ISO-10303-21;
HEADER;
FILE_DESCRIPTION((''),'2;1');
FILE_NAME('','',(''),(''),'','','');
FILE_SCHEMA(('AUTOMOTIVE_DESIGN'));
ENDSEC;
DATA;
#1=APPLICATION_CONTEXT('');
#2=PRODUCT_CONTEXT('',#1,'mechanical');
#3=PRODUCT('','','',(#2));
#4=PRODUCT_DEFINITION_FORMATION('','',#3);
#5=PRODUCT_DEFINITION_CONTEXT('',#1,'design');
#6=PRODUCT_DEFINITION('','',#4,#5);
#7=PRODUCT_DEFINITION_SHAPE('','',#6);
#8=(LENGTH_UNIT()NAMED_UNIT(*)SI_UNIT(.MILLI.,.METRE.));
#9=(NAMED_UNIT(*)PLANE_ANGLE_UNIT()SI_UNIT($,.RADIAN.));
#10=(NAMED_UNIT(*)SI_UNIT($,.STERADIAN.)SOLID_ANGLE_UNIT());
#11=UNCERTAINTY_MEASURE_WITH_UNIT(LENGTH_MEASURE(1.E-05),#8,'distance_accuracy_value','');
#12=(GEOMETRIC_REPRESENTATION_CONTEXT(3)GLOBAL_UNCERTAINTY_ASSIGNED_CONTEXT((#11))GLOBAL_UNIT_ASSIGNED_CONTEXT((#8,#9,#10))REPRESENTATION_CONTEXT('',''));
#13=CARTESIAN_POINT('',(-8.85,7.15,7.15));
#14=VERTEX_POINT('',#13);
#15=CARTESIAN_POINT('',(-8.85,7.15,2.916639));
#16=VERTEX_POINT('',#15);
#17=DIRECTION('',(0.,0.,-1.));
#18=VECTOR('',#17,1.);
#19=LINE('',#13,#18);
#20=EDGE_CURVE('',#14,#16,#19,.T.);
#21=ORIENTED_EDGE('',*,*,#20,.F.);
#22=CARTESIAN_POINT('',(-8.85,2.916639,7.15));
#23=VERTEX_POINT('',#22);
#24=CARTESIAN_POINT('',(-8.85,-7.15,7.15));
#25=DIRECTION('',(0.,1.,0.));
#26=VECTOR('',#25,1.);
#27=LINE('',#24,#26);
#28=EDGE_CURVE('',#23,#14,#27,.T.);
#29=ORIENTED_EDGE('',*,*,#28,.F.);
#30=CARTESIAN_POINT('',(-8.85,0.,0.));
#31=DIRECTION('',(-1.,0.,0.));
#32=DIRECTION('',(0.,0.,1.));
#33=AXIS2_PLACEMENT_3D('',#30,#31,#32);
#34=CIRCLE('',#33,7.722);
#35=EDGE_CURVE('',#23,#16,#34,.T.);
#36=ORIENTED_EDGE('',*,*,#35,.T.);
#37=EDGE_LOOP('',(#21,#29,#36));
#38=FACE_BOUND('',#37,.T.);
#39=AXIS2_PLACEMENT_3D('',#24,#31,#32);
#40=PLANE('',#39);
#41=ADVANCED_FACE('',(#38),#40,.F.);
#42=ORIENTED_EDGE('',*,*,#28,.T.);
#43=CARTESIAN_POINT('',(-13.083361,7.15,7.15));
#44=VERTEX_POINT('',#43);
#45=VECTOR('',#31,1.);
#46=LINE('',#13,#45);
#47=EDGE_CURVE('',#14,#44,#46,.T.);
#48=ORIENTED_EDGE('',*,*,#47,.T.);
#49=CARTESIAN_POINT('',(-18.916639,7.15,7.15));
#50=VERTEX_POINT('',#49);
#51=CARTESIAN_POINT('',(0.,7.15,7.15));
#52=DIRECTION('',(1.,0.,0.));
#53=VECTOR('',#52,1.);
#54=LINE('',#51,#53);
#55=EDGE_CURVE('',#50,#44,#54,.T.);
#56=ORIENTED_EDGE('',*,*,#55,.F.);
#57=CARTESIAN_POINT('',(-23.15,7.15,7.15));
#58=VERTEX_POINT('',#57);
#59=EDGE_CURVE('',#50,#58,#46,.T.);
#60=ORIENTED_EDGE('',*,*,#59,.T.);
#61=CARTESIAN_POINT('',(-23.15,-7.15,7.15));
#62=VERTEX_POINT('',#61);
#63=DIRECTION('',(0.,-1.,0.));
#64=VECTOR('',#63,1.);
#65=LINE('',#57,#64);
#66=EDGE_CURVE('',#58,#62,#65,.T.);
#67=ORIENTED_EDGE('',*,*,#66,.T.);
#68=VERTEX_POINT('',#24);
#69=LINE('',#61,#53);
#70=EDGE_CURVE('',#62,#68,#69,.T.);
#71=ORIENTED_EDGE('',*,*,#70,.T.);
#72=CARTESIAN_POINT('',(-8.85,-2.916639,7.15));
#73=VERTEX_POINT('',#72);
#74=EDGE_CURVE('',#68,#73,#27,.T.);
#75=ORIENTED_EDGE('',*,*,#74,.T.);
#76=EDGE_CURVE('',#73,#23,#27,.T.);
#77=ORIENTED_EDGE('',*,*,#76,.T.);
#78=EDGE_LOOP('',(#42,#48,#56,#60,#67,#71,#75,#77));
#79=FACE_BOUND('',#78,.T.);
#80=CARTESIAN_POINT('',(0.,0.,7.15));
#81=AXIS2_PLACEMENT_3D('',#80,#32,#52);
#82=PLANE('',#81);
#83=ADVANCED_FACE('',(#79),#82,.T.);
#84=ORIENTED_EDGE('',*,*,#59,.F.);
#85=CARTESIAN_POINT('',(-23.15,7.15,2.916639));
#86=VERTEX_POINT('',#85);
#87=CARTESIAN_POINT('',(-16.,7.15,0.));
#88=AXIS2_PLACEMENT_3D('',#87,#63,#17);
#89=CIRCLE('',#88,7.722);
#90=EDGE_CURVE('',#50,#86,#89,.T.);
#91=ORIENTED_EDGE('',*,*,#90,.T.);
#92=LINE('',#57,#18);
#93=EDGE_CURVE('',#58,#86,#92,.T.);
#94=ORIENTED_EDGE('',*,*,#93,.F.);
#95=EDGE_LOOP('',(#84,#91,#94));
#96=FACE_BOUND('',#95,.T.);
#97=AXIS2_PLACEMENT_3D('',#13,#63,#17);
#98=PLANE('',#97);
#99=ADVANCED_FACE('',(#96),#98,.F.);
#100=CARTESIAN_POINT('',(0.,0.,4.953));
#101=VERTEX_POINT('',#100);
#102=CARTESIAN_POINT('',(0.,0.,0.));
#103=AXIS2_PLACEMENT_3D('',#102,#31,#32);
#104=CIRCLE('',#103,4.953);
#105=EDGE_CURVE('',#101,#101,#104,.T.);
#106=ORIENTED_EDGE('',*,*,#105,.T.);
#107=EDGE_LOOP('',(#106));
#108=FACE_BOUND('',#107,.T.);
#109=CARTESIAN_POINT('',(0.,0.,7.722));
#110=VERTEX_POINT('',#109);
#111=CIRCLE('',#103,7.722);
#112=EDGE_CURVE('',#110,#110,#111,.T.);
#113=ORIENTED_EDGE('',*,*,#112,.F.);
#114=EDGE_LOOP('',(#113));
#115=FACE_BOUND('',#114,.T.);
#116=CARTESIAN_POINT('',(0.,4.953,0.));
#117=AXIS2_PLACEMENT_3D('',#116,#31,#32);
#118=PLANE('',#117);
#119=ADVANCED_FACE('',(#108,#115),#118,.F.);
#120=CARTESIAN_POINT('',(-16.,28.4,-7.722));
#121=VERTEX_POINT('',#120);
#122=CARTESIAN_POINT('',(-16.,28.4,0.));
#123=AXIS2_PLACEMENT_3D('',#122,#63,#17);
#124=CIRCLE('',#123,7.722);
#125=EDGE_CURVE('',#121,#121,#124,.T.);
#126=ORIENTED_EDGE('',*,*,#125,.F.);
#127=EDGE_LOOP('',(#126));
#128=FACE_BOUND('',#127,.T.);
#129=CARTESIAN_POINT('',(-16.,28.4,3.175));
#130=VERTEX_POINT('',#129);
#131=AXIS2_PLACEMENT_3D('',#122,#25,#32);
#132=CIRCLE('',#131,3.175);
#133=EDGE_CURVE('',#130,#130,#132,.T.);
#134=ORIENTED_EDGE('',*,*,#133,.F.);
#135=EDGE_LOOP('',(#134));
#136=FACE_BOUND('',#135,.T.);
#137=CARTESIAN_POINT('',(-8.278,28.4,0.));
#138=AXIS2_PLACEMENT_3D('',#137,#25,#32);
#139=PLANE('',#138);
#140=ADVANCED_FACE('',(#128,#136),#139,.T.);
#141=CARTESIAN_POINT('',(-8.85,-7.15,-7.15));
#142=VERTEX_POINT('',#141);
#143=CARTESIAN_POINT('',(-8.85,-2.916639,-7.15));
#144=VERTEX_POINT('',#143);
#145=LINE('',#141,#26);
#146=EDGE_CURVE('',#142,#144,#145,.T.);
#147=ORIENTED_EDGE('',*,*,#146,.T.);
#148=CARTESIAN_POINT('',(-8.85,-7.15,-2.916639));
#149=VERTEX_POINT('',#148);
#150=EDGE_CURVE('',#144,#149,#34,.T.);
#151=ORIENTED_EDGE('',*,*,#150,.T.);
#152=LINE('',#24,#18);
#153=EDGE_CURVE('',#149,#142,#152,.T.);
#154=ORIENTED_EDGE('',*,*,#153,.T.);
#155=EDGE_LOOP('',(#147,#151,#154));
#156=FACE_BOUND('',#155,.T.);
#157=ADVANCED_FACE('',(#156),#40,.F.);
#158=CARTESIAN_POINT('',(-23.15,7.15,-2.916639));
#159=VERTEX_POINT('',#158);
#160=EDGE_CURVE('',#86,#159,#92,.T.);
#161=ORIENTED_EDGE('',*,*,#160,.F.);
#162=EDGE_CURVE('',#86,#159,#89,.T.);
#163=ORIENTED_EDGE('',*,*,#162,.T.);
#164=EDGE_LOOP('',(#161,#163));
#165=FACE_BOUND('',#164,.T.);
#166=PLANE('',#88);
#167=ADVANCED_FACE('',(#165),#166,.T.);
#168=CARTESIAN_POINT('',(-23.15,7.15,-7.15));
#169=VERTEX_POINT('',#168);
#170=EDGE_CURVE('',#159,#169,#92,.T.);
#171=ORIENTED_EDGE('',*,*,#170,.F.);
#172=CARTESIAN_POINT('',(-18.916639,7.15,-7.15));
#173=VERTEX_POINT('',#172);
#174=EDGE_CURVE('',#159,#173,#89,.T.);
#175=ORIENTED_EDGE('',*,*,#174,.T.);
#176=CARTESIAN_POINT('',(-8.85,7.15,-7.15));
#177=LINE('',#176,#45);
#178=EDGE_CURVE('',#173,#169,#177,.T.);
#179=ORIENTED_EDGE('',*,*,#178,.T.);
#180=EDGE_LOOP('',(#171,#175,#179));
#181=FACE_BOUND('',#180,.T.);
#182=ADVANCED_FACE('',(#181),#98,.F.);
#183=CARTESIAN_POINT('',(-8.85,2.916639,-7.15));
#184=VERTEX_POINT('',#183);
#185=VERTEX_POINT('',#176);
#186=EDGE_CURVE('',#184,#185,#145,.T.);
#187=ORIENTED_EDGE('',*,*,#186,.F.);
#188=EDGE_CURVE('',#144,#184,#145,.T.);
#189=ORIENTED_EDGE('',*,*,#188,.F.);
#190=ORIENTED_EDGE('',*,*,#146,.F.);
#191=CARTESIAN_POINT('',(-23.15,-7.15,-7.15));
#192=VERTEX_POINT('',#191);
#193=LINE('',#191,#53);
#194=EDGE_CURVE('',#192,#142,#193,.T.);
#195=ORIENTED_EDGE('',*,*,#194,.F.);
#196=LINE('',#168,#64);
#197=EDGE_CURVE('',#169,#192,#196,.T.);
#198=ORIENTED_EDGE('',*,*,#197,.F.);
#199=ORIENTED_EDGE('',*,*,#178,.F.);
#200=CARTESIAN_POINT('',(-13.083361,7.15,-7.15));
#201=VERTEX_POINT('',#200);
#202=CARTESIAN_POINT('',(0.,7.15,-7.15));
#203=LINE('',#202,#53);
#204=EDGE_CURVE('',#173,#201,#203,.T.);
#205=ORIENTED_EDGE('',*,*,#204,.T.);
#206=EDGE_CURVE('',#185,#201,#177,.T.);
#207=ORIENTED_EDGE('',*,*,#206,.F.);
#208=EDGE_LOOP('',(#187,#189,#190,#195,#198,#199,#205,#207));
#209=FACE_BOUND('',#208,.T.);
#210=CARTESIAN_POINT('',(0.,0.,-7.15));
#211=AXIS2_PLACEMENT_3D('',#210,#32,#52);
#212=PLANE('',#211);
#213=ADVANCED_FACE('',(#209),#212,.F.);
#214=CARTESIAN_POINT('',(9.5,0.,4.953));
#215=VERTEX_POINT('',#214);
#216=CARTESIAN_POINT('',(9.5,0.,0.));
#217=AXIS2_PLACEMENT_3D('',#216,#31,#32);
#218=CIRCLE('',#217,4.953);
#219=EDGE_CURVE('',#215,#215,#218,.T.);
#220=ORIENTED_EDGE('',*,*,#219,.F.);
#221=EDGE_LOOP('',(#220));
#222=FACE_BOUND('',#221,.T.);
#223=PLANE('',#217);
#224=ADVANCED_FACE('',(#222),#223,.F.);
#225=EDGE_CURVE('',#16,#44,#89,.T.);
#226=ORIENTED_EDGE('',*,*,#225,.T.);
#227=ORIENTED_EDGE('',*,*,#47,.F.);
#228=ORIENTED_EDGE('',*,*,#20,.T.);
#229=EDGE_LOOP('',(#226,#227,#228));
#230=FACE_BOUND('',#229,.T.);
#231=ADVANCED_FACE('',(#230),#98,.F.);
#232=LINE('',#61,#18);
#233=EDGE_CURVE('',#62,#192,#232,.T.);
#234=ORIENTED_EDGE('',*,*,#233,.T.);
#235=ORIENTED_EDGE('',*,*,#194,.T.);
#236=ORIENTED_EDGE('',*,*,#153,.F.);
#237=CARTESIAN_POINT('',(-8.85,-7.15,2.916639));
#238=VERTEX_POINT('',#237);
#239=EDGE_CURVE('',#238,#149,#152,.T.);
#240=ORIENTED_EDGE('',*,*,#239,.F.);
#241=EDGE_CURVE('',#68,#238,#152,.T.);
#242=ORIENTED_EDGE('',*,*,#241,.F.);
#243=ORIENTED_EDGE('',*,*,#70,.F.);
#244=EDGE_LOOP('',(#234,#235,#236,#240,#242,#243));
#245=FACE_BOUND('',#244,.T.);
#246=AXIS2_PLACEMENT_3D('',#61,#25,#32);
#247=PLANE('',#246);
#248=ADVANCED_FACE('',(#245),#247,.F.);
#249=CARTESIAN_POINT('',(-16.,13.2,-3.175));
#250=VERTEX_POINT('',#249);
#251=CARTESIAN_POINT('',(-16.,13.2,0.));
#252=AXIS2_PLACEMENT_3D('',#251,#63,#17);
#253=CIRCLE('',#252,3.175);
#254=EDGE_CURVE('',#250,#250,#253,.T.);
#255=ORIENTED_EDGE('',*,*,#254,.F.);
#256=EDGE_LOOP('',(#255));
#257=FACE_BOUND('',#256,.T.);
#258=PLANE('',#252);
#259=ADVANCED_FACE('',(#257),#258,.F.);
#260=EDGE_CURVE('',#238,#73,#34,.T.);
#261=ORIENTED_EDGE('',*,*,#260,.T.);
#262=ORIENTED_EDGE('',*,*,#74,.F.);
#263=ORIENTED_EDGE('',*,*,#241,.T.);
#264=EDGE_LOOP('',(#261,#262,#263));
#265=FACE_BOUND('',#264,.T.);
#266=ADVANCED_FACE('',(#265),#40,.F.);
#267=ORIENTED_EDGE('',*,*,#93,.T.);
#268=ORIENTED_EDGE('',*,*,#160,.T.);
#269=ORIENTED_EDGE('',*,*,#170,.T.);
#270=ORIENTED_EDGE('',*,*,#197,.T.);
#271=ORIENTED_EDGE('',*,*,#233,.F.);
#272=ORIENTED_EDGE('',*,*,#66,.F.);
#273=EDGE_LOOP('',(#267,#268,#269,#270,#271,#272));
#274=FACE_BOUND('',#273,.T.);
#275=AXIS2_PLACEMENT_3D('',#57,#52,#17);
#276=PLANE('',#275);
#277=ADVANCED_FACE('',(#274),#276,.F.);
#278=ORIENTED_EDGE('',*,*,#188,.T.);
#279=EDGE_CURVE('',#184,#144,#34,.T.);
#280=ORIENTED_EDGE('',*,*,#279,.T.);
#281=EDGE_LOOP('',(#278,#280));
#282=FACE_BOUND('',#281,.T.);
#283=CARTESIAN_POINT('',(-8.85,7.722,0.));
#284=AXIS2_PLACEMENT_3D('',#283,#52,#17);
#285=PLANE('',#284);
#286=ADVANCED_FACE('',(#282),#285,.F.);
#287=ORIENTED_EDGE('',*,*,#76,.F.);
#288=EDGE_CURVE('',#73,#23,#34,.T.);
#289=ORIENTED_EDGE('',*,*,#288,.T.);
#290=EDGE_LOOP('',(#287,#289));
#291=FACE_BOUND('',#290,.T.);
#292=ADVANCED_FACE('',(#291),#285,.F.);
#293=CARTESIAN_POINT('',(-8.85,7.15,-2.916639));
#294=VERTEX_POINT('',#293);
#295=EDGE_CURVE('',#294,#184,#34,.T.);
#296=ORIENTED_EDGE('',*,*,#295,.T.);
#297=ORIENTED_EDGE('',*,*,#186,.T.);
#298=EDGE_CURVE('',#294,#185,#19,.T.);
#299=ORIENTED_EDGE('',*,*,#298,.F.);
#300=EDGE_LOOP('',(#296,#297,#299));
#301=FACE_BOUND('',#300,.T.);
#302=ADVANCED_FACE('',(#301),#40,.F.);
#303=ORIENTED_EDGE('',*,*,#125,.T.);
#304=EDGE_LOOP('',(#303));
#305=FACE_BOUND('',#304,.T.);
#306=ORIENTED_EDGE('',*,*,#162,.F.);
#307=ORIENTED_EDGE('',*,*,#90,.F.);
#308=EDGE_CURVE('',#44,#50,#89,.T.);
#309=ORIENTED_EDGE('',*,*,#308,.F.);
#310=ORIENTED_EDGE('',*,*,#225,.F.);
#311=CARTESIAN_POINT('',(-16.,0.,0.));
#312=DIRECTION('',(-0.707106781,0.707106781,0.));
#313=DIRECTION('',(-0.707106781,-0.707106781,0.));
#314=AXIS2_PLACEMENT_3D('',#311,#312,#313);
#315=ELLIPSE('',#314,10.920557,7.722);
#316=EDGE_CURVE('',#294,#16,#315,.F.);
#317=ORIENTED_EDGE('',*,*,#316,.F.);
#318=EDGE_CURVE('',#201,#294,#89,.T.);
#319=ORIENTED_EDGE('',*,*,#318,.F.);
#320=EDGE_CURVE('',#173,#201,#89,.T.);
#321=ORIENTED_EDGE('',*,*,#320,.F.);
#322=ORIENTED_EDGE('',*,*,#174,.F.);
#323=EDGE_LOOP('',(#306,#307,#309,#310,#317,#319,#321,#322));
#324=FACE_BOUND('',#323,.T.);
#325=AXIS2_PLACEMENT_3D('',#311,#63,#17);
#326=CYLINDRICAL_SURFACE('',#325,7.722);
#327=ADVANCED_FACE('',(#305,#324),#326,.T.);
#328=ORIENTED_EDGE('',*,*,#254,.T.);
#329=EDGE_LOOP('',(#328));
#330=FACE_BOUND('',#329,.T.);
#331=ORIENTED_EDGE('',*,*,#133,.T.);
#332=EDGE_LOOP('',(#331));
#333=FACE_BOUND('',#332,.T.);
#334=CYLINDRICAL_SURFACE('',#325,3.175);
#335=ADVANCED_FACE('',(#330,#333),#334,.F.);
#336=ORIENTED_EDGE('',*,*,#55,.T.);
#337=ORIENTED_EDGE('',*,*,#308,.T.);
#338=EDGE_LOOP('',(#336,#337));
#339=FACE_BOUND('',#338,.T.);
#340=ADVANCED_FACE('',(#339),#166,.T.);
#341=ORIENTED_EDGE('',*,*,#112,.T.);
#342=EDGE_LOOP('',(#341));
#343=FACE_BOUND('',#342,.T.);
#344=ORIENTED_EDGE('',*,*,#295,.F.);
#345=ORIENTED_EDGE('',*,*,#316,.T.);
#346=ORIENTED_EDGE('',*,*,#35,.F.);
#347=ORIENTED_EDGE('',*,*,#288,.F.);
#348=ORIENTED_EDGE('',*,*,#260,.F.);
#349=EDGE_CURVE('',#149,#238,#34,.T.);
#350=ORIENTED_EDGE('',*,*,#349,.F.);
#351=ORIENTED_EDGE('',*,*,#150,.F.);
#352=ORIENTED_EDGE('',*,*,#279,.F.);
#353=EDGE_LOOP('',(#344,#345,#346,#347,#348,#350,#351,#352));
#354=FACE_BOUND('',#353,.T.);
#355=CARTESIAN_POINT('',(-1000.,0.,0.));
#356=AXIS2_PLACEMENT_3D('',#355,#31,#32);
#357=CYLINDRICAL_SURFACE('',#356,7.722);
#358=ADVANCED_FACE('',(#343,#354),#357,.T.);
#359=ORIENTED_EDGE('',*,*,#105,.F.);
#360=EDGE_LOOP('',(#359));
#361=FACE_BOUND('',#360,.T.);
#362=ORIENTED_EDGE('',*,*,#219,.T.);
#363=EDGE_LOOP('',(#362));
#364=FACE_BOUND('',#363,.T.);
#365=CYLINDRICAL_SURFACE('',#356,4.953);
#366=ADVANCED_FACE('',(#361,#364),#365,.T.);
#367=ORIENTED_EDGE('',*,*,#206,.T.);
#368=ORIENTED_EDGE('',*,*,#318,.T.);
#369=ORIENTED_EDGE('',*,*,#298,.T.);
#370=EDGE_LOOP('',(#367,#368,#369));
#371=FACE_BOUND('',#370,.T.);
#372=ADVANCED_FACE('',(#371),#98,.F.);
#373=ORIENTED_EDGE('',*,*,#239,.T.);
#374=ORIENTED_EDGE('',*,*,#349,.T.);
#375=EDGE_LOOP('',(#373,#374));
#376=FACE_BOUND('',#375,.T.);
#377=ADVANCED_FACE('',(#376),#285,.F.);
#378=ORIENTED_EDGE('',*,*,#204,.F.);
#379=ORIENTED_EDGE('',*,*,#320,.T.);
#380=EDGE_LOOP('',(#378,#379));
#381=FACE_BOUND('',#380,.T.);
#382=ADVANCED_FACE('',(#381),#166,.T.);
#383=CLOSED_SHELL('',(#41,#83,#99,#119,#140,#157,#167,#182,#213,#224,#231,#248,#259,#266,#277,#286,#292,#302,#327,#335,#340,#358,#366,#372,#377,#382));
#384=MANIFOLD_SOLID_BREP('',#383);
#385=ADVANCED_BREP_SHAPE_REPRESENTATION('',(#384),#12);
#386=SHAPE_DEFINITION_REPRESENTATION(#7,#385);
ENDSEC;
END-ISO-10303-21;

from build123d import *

# Parameters (mm, degrees)
BLOCK_SKETCH_W  = 14.3
BLOCK_SKETCH_H  = 14.3
BLOCK_DEPTH     = 7.15
ARM_SKETCH_W    = 7.722
ARM_SKETCH_H    = 21.25
SOCKET_SKETCH_W = 3.175
SOCKET_SKETCH_H = 16.2


with BuildPart() as part:
    # Block Sketch → Block (new, symmetric)
    with BuildSketch(Plane.XY):
        with Locations((-16, 0)):
            Rectangle(BLOCK_SKETCH_W, BLOCK_SKETCH_H)
    extrude(amount=BLOCK_DEPTH, both=True)

    # Neck and Stud Sketch → Neck and Stud (revolve)
    with BuildSketch(Plane.XY):
        Polygon((9.5, 0), (9.5, 4.953), (0, 4.953), (0, 7.722), (-8.85, 7.722), (-8.85, 0), align=None)
    revolve(axis=Axis((-1000, 0, 0), (1, 0, 0)))

    # Arm Sketch → Arm (revolve)
    with BuildSketch(Plane.XY):
        with Locations((-12.139, 17.775)):
            Rectangle(ARM_SKETCH_W, ARM_SKETCH_H)
    revolve(axis=Axis((-16, 0, 0), (0, 1, 0)))

    # Socket Sketch → Socket (revolve, cut)
    with BuildSketch(Plane.XY):
        with Locations((-14.4125, 21.3)):
            Rectangle(SOCKET_SKETCH_W, SOCKET_SKETCH_H)
    revolve(axis=Axis((-16, 0, 0), (0, 1, 0)), mode=Mode.SUBTRACT)


solid = part.part
